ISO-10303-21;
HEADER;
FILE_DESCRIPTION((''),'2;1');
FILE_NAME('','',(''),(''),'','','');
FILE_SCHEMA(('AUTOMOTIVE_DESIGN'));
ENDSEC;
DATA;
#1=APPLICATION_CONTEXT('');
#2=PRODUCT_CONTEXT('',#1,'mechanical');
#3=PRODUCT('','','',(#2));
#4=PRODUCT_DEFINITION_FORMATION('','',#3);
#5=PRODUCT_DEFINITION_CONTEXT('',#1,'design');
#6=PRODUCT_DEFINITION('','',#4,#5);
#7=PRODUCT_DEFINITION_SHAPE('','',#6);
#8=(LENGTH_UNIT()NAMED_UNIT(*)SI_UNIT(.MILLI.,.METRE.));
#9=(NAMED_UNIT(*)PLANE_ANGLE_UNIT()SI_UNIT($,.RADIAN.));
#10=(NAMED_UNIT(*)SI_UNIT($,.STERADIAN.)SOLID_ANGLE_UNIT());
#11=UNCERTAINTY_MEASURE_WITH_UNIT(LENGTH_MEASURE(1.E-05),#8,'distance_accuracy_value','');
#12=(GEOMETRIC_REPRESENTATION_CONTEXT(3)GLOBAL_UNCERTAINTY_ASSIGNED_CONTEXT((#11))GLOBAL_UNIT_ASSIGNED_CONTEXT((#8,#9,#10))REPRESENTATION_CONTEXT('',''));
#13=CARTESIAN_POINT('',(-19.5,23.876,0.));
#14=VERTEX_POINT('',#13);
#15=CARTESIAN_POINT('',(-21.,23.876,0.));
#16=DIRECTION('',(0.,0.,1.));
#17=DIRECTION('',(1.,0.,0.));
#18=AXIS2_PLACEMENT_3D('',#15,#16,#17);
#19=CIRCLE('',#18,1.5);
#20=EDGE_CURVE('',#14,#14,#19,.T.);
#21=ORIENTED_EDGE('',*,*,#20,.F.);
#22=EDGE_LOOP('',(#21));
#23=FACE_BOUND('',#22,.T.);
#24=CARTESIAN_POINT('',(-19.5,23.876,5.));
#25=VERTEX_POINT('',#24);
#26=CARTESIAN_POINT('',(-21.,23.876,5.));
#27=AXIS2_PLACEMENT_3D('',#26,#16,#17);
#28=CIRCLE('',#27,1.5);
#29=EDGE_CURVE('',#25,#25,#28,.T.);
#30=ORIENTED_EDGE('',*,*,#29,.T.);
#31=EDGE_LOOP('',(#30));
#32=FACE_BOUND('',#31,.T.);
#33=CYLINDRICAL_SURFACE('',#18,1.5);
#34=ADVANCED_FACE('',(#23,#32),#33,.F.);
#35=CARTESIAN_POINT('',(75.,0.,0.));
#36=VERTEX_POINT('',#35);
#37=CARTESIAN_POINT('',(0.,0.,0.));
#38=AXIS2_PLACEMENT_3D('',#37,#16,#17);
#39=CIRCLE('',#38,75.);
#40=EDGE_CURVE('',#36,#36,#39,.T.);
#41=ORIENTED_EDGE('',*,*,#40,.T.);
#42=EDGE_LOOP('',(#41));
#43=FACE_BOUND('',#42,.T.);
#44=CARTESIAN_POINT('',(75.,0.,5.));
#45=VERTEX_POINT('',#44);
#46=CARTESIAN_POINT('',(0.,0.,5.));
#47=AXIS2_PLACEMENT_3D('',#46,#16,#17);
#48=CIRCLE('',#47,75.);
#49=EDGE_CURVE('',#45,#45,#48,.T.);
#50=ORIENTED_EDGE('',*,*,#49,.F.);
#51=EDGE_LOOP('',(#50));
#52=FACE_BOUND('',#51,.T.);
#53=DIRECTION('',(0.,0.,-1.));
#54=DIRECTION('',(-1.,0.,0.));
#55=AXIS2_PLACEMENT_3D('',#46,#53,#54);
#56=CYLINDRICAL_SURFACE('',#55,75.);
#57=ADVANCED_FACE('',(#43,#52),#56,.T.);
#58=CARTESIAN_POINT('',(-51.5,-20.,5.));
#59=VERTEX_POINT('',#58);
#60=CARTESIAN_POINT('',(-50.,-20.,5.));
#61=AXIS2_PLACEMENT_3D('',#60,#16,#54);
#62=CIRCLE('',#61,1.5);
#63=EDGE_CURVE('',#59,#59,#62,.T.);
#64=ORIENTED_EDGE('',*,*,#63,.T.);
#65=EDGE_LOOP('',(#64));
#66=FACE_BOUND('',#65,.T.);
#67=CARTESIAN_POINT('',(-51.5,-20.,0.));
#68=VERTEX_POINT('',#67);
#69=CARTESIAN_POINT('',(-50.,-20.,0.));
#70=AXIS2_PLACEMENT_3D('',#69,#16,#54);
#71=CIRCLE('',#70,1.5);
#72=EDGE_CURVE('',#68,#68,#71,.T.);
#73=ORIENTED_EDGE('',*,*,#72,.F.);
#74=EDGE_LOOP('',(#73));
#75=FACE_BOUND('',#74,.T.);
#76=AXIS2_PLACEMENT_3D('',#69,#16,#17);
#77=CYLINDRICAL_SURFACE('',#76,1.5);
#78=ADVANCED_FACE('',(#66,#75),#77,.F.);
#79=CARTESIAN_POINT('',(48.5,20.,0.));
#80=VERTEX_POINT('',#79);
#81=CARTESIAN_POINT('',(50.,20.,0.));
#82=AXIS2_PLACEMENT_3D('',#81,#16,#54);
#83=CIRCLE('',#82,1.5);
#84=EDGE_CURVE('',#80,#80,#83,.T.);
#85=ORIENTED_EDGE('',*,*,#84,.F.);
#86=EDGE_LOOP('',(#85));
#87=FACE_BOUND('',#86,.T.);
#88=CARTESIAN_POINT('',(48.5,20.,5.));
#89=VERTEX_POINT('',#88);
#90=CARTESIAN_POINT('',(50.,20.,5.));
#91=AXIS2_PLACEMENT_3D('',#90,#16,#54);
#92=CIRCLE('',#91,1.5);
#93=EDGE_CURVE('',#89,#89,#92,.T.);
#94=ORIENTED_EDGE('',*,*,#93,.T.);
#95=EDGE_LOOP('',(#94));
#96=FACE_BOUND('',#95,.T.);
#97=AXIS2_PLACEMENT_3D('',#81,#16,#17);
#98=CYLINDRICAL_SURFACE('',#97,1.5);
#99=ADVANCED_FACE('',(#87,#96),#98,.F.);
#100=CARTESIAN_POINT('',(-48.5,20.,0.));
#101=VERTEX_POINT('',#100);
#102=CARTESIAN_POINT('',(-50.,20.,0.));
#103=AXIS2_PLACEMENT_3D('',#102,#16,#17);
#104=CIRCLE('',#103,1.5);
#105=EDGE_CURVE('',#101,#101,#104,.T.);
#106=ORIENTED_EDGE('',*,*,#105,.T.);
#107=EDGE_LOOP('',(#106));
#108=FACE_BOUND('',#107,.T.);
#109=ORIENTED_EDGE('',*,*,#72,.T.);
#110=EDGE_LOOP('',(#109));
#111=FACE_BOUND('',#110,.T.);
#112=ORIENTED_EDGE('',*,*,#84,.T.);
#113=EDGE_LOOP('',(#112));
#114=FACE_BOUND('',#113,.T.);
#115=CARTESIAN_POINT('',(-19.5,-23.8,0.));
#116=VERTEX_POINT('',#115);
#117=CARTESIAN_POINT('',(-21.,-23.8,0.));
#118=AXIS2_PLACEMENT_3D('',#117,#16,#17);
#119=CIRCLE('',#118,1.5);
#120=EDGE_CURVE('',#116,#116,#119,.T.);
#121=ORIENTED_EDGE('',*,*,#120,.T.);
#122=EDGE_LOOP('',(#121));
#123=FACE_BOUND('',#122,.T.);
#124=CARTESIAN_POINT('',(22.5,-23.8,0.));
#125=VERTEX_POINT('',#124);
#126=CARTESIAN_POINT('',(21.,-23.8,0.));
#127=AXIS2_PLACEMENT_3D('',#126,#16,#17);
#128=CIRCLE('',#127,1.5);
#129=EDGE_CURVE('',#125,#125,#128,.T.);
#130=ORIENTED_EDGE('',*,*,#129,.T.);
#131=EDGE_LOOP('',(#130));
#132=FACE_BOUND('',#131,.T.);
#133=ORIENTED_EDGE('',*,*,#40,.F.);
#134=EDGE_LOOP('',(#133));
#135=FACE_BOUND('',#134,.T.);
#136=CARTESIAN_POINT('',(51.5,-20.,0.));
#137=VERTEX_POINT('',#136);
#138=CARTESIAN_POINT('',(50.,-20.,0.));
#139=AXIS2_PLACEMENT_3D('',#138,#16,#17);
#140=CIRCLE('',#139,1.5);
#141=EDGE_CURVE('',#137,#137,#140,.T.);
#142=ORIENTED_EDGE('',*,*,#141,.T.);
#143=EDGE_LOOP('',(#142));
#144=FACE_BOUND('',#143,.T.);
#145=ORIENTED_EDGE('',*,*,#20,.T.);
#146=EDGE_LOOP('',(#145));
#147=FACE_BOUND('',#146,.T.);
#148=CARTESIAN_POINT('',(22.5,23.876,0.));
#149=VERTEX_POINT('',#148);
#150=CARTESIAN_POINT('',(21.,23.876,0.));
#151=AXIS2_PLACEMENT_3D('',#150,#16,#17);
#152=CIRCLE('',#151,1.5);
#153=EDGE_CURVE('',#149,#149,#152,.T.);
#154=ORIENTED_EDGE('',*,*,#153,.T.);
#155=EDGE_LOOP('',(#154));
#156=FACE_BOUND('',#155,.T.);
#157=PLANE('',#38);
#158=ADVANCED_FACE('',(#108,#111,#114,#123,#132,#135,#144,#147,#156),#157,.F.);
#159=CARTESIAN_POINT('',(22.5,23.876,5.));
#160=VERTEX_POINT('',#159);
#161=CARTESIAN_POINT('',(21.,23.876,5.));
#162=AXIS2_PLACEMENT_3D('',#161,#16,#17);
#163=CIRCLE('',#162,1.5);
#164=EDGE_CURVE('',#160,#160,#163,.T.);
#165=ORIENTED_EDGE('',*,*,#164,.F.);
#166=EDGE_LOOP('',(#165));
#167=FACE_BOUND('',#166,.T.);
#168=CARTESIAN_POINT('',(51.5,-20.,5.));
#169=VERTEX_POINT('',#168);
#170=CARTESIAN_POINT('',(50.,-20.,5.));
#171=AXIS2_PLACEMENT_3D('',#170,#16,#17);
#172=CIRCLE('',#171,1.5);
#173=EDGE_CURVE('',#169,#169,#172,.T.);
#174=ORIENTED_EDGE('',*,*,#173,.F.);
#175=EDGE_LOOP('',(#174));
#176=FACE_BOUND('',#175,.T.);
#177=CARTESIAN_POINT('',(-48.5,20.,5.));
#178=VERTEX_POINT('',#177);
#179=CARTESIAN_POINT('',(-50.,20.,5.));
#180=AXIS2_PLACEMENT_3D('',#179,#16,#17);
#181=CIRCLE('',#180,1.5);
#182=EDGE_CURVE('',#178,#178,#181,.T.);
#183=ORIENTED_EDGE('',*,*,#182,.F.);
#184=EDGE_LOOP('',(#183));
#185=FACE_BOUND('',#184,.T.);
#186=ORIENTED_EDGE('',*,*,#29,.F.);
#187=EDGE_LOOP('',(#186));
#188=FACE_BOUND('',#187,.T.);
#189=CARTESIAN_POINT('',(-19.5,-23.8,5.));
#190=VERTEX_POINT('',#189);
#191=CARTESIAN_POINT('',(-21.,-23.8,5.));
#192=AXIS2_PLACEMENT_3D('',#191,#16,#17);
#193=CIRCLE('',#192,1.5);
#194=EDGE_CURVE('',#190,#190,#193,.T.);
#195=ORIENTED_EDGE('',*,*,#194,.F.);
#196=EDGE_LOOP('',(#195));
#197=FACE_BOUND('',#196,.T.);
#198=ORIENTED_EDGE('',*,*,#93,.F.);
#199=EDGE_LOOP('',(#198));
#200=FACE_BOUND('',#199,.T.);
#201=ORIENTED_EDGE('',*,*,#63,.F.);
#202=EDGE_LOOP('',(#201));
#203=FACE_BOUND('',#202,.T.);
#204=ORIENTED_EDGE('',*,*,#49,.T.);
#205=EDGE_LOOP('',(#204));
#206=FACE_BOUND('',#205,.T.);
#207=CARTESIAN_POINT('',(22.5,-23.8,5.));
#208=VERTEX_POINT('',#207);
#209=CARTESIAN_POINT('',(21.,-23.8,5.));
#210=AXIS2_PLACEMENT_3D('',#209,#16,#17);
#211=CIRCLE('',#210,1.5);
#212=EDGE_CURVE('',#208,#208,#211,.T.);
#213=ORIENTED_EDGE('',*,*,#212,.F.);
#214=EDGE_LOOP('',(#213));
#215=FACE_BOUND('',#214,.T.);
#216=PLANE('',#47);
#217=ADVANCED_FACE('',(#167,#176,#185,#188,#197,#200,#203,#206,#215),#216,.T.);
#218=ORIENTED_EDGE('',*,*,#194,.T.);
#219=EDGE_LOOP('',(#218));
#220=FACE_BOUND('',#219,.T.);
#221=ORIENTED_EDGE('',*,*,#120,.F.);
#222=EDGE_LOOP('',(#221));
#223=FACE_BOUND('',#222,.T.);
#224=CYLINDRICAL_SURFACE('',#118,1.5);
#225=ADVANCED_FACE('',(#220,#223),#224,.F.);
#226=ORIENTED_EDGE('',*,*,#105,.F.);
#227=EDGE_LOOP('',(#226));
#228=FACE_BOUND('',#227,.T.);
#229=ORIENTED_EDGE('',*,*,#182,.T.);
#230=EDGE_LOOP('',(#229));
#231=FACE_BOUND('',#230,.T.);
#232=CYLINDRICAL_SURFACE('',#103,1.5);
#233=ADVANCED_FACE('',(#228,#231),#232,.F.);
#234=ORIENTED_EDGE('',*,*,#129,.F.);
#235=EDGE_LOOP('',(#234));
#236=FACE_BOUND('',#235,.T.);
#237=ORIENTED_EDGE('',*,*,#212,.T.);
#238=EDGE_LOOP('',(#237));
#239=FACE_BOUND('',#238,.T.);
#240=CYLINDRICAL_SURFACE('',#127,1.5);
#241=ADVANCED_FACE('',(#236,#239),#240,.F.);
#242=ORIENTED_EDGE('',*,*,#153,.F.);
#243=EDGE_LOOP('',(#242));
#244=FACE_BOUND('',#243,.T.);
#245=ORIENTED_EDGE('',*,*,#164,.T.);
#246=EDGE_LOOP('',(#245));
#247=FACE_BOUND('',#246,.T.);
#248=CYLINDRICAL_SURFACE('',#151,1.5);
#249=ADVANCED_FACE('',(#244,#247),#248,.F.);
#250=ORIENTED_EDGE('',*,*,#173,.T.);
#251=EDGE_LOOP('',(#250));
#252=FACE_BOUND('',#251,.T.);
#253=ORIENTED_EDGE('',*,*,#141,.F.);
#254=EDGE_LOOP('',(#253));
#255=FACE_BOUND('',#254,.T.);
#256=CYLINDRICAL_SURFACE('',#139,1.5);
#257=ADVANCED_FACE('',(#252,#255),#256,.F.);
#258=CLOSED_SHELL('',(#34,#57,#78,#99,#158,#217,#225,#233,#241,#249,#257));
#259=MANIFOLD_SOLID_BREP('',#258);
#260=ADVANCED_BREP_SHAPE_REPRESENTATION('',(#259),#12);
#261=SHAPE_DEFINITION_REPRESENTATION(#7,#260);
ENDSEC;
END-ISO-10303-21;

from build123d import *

# Parameters (mm, degrees)
CROQUIS1_R              = 75
SALIENTE_EXTRUIR1_DEPTH = 5
CROQUIS2_R              = 1.5
CORTAR_EXTRUIR1_DEPTH   = 107.183802908


with BuildPart() as part:
    # Croquis1 → Saliente-Extruir1 (new body)
    with BuildSketch(Plane.XY):
        Circle(CROQUIS1_R)
    extrude(amount=SALIENTE_EXTRUIR1_DEPTH)

    # Croquis2 → Cortar-Extruir1 (cut, through all)
    with BuildSketch(Plane.XY.offset(5)):
        with Locations((-50, 20)):
            Circle(CROQUIS2_R)
        with Locations(Location((-50, -20, 0), (0, 0, 180))):
            Circle(CROQUIS2_R)
        with Locations((50, -20)):
            Circle(CROQUIS2_R)
        with Locations(Location((50, 20, 0), (0, 0, 180))):
            Circle(CROQUIS2_R)
        with Locations((21, 23.876)):
            Circle(CROQUIS2_R)
        with Locations((-21, 23.876)):
            Circle(CROQUIS2_R)
        with Locations((-21, -23.8)):
            Circle(CROQUIS2_R)
        with Locations((21, -23.8)):
            Circle(CROQUIS2_R)
    extrude(amount=-CORTAR_EXTRUIR1_DEPTH, mode=Mode.SUBTRACT)


solid = part.part
